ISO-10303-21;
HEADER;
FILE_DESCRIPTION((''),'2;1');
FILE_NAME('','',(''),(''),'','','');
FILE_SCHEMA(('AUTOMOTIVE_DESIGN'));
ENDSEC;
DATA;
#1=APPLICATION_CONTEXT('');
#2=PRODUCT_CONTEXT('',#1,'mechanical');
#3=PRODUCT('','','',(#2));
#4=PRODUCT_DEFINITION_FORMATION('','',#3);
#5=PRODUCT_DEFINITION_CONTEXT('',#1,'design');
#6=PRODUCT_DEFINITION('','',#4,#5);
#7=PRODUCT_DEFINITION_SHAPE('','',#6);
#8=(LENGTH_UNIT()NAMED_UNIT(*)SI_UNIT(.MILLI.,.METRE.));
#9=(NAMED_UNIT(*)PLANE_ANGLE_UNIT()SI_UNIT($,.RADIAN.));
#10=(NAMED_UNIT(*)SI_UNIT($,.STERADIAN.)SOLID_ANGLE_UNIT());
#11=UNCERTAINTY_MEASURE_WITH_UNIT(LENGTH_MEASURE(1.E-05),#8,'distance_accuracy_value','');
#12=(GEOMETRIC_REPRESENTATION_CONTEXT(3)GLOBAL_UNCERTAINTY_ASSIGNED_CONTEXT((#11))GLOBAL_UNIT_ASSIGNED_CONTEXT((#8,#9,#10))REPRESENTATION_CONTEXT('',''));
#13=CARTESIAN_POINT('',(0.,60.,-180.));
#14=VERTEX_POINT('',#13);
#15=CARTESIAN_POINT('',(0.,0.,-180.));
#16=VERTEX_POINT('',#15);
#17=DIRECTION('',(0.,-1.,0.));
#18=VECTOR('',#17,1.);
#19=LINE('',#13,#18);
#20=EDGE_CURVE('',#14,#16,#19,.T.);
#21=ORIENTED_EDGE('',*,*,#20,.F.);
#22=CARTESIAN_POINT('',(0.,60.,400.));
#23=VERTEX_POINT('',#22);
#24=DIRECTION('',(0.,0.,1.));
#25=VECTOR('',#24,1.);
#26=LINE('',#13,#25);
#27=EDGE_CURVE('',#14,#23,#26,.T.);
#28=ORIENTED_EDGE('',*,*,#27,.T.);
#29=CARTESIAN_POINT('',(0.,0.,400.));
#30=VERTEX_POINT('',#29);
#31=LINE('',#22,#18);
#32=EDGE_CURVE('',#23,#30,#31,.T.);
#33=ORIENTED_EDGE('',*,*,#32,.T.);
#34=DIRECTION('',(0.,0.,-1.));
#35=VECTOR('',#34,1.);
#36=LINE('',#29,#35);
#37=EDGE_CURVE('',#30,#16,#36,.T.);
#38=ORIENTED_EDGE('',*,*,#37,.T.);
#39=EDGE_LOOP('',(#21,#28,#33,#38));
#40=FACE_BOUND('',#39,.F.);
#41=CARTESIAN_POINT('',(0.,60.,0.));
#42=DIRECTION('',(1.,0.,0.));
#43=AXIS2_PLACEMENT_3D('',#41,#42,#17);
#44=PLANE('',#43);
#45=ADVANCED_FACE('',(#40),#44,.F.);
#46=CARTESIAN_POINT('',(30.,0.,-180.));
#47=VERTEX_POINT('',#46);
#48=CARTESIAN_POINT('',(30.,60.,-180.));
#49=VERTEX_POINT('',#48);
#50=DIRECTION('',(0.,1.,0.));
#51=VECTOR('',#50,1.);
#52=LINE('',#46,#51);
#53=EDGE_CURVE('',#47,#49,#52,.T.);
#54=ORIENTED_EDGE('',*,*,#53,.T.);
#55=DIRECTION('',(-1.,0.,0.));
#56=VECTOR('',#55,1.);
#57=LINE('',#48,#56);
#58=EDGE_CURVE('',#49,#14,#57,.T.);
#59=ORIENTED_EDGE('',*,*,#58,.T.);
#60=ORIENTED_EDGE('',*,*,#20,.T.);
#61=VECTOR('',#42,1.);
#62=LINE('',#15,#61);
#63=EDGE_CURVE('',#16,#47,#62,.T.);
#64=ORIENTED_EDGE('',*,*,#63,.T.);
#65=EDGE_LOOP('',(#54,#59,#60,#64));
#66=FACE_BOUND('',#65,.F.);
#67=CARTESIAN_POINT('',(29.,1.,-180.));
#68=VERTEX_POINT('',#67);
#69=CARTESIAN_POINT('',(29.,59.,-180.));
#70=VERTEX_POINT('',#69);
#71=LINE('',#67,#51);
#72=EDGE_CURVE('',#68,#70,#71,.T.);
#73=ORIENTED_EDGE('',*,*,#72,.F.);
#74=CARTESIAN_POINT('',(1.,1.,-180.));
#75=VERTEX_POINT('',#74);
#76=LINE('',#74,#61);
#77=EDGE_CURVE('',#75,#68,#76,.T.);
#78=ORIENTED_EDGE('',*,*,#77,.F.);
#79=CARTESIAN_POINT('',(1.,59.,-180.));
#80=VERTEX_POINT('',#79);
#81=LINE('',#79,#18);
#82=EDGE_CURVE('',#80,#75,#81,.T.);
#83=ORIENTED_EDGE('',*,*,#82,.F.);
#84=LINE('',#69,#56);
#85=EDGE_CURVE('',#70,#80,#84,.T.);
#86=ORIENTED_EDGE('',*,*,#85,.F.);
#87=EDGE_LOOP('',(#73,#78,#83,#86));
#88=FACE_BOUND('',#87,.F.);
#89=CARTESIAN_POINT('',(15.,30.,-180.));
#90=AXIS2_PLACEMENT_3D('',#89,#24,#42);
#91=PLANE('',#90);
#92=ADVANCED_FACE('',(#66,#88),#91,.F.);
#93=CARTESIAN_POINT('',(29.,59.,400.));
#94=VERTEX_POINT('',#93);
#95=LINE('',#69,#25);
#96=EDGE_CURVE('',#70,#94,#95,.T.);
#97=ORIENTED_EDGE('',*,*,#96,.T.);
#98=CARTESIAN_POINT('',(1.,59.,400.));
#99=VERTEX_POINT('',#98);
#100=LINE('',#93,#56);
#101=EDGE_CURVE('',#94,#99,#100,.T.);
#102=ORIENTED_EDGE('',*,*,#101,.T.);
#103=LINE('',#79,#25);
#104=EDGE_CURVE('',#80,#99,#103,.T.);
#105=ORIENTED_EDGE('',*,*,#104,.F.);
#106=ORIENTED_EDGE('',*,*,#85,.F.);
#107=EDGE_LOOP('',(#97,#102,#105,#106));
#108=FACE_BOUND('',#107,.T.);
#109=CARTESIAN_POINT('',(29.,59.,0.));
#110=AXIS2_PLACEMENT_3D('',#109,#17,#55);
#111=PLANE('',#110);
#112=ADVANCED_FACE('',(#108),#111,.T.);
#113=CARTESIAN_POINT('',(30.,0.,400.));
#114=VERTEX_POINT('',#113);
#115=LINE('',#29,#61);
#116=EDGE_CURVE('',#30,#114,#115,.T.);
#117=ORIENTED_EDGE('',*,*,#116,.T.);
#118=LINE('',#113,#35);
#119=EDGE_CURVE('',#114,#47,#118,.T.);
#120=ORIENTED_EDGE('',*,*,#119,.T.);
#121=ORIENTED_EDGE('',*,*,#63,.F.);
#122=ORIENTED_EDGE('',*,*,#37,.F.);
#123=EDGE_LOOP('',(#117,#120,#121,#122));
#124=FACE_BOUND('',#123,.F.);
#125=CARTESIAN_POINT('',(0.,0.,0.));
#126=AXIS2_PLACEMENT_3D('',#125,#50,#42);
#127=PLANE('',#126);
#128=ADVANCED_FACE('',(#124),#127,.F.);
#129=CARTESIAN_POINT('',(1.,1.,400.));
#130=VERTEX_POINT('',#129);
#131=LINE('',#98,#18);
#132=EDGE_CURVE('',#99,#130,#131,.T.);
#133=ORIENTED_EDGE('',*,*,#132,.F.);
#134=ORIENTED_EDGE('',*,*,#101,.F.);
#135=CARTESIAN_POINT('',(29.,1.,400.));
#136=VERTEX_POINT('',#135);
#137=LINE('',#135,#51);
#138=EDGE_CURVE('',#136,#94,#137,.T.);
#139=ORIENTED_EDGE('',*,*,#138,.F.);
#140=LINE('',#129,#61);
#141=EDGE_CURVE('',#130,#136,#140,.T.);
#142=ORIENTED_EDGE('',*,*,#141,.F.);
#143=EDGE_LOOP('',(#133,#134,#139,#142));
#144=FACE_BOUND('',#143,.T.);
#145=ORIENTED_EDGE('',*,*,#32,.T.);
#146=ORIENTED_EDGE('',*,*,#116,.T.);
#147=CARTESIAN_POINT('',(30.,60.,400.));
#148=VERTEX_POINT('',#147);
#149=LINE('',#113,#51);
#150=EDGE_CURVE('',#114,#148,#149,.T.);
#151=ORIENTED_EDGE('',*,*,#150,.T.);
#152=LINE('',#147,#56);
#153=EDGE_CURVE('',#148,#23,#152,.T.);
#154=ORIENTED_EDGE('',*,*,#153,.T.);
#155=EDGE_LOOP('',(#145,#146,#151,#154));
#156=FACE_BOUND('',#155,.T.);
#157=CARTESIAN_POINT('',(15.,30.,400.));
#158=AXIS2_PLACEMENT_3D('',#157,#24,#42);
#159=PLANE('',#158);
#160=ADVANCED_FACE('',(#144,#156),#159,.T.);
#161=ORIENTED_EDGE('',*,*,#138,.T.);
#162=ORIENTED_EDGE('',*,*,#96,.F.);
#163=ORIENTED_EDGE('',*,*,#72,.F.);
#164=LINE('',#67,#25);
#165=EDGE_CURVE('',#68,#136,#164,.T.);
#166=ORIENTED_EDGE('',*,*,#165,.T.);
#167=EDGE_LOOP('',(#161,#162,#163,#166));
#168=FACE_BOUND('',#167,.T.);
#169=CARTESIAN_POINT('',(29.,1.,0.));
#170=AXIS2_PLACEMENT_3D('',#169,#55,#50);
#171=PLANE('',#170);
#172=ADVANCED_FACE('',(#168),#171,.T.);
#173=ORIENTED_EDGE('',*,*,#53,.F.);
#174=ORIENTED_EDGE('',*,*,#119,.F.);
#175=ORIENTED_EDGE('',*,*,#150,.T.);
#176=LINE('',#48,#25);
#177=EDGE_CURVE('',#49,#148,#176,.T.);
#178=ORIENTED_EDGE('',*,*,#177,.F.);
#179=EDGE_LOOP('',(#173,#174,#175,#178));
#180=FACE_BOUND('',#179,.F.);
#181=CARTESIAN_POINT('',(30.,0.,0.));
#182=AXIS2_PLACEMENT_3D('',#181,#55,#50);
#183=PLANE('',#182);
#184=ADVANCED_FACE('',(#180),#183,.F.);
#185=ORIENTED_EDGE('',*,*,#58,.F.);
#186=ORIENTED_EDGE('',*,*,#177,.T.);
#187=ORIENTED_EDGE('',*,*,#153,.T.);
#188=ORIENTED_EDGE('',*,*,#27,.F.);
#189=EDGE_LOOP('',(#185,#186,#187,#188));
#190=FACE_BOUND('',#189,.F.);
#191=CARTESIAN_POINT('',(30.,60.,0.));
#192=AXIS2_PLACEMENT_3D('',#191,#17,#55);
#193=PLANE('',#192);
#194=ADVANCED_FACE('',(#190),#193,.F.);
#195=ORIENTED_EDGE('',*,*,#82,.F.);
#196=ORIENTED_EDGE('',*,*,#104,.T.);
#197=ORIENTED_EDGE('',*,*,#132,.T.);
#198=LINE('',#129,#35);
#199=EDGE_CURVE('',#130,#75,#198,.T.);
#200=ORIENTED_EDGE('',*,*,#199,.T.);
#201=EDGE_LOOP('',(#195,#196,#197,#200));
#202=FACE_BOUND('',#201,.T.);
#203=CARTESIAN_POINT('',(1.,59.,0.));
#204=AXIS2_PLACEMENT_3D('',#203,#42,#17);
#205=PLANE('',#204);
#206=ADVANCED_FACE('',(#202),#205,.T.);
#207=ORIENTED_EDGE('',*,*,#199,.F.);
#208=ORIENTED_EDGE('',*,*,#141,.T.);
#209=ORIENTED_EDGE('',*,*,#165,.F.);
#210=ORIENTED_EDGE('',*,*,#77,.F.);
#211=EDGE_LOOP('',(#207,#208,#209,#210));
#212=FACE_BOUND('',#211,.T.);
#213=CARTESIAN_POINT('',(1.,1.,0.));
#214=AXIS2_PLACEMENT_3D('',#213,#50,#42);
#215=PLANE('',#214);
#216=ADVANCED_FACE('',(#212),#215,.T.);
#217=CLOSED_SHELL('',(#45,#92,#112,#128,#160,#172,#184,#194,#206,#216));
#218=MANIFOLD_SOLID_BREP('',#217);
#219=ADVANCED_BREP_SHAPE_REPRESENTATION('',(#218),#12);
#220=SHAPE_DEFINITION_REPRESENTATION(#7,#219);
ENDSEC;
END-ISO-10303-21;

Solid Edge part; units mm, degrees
sketch "Sketch1" plane through (0, 0, 0) normal (0, 0, 1) x (1, 0, 0)
  line L0 (29, 1) -> (29, 59)
  line L1 (29, 59) -> (1, 59)
  line L2 (1, 59) -> (1, 1)
  line L3 (1, 1) -> (29, 1)
  line L4 (30, 0) -> (30, 60)
  line L5 (30, 60) -> (0, 60)
  line L6 (0, 60) -> (0, 0)
  line L7 (0, 0) -> (30, 0)
extrude "Protrusion1" add sketch "Sketch1" along normal blind 400
sketch "Sketch2" plane through (0, 0, 0) normal (0, 0, 1) x (1, 0, 0)
  line L0 (30, 0) -> (30, 60)
  line L1 (30, 60) -> (0, 60)
  line L2 (0, 60) -> (0, 0)
  line L3 (0, 0) -> (30, 0)
  line L4 (29, 1) -> (29, 59)
  line L5 (29, 59) -> (1, 59)
  line L6 (1, 59) -> (1, 1)
  line L7 (1, 1) -> (29, 1)
extrude "ExtrudedProtrusion_7" add sketch "Sketch2" against normal blind 180
properties material "Galvanized steel"
